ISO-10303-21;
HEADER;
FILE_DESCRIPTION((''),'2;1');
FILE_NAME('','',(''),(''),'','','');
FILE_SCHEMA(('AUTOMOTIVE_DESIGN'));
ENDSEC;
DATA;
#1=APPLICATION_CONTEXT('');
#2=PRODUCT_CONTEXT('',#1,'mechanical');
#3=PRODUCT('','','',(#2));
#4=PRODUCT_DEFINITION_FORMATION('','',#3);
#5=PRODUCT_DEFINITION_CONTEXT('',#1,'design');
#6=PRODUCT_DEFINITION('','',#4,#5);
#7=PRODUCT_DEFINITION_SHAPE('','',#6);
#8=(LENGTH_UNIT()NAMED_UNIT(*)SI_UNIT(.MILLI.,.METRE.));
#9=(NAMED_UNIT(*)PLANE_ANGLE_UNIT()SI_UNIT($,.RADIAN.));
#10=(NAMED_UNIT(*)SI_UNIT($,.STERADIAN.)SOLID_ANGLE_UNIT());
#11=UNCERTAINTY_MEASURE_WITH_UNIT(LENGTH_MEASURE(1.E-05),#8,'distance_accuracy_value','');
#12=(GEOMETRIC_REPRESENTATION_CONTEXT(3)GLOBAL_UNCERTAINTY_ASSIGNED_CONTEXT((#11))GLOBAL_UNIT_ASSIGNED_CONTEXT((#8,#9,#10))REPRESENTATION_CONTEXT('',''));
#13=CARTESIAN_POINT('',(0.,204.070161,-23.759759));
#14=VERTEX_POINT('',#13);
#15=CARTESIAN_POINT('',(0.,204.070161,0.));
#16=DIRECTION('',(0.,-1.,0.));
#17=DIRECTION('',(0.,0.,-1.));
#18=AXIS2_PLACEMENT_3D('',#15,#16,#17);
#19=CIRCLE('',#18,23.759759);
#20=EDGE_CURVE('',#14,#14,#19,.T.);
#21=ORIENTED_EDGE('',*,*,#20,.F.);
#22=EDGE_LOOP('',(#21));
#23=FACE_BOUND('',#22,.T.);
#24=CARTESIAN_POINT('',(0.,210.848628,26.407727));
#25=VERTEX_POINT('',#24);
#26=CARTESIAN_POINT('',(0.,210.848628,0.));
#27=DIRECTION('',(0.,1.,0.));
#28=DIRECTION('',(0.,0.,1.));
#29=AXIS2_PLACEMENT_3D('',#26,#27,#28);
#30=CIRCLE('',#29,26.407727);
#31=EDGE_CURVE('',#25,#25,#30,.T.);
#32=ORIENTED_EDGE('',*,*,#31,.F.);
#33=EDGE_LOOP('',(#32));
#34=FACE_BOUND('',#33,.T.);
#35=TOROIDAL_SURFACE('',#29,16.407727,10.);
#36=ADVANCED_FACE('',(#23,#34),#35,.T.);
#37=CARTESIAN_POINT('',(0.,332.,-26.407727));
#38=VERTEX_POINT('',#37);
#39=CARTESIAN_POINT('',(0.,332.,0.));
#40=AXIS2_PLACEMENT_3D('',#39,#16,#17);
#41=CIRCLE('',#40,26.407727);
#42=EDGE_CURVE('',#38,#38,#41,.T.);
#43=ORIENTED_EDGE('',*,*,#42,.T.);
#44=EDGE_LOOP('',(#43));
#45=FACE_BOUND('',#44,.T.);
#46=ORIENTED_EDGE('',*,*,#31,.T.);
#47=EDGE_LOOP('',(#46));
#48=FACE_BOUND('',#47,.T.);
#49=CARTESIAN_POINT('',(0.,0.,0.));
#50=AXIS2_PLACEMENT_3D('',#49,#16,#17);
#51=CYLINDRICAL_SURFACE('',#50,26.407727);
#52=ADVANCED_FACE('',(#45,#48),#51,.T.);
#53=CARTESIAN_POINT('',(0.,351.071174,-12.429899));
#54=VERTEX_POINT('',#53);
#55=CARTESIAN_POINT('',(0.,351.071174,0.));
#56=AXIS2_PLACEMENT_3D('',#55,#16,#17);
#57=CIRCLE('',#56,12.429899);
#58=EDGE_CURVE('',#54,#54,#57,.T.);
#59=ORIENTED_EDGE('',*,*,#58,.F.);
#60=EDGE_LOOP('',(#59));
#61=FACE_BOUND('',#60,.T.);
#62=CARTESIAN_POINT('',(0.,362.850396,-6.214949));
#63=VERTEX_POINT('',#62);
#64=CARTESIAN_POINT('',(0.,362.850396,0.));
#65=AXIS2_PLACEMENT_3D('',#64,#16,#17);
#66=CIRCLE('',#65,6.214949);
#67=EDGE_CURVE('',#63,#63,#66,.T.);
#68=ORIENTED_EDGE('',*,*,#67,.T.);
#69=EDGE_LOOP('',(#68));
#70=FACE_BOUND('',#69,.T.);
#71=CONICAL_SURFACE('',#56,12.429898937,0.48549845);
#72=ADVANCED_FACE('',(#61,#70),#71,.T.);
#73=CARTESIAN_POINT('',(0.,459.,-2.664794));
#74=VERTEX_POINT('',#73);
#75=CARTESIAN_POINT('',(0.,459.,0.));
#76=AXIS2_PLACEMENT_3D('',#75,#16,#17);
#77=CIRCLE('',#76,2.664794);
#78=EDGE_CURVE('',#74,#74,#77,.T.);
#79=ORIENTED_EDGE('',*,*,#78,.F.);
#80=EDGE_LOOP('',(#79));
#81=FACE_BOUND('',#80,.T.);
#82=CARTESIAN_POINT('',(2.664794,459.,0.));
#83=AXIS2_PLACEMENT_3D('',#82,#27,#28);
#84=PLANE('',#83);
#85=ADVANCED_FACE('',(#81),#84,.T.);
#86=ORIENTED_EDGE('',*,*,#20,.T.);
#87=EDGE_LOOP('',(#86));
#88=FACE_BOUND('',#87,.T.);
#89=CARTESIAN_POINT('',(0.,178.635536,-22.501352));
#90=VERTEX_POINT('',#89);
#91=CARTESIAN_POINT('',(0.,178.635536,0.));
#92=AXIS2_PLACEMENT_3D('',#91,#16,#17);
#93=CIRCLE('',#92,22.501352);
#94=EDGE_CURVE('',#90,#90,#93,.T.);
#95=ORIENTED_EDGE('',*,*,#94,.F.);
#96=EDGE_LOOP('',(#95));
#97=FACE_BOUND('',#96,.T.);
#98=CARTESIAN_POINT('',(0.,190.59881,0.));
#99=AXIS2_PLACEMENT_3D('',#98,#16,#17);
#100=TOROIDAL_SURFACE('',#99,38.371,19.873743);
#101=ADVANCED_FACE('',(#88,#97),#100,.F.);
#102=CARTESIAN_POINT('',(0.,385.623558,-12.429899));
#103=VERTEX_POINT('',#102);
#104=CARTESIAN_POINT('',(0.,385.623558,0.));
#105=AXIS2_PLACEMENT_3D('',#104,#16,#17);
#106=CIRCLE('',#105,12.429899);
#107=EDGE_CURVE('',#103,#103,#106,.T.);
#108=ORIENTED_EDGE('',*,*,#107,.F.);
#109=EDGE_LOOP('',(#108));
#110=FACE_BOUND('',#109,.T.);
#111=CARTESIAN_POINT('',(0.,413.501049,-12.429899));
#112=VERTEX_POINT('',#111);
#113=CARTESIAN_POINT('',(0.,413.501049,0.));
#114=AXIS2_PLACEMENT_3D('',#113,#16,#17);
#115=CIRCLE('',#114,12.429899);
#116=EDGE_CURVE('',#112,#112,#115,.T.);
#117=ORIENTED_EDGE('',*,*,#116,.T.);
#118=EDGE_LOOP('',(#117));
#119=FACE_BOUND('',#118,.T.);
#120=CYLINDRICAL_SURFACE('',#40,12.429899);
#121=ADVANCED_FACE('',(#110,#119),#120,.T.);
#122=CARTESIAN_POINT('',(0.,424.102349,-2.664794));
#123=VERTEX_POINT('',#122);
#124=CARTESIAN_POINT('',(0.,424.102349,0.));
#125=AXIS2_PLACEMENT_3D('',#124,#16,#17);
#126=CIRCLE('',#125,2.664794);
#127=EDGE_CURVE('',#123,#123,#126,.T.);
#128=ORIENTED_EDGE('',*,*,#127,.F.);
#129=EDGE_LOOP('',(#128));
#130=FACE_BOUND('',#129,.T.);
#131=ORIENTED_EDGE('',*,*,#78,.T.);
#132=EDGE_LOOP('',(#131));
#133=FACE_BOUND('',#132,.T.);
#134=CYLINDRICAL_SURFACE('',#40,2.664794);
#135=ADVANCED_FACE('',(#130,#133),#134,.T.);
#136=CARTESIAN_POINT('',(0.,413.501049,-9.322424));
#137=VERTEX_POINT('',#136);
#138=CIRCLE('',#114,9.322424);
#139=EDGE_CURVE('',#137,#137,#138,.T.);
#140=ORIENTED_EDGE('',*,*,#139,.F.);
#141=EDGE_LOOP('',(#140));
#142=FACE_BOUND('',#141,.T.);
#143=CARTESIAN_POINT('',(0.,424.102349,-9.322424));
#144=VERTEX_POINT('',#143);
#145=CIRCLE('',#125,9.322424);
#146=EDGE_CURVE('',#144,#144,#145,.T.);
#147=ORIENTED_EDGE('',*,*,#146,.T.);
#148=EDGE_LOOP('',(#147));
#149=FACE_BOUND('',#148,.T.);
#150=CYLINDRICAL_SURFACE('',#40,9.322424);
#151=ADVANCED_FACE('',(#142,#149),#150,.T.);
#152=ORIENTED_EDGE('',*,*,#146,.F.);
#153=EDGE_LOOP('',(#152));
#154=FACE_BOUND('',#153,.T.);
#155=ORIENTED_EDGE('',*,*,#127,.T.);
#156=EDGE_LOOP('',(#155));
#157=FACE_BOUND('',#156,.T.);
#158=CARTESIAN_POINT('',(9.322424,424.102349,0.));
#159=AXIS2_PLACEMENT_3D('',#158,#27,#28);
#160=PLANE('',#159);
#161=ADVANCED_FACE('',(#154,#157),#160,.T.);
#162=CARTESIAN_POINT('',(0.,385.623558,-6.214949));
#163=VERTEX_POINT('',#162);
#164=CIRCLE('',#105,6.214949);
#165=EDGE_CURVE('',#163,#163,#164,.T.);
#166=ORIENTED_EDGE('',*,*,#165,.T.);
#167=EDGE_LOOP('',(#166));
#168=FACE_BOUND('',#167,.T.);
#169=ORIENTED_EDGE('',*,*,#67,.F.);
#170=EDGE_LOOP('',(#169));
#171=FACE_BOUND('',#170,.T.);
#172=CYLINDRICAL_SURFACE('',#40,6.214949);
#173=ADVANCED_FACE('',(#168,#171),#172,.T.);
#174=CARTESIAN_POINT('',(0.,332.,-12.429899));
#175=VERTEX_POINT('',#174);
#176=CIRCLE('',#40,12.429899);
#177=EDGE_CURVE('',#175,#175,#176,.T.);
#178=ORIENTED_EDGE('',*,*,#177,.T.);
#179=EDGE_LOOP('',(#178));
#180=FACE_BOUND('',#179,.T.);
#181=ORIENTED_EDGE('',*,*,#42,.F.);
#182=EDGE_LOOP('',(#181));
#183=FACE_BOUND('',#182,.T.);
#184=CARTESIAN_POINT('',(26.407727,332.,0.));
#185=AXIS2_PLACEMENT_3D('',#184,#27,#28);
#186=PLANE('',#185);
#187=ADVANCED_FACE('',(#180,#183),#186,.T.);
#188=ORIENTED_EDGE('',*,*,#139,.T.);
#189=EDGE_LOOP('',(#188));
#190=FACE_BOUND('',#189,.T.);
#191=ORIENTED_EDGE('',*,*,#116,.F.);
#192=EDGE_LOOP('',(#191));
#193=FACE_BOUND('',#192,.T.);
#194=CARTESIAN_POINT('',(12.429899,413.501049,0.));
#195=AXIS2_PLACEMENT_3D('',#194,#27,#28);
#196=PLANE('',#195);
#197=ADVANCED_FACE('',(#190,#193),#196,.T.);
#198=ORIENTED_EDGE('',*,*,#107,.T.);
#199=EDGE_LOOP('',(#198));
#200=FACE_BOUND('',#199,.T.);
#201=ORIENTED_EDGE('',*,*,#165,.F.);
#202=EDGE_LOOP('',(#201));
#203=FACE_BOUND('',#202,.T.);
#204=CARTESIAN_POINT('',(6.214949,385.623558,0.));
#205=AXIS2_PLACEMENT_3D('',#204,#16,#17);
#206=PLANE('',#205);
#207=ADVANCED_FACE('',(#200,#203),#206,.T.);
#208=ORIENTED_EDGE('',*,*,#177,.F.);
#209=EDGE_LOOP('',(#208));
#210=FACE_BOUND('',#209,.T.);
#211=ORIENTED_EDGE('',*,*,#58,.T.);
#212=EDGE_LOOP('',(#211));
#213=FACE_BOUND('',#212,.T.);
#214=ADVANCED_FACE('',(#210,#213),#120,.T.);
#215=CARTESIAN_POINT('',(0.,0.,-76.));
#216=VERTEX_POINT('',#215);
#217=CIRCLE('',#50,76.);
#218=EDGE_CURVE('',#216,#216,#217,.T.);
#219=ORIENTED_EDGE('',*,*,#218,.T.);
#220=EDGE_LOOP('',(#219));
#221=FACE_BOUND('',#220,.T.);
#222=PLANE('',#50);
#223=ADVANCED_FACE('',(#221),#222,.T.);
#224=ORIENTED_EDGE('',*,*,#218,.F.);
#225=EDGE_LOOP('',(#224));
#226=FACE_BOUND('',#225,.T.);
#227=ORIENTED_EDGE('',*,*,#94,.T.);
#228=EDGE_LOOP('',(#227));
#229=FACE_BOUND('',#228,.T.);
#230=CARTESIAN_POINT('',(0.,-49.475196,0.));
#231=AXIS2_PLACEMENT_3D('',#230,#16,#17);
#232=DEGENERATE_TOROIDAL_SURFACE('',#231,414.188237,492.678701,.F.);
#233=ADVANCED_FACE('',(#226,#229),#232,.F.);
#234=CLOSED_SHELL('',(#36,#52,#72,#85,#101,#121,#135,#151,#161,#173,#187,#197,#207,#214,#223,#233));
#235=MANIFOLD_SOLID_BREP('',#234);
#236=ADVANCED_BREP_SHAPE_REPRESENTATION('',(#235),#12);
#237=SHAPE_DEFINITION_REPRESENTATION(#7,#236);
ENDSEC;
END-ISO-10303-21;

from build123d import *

# Parameters (mm, degrees)
FILLET1_R = 10


with BuildPart() as part:
    # Sketch1 → Revolve1 (revolve)
    with BuildSketch(Plane.XY):
        with BuildLine():
            Line((0, 0), (76, 0))
            ThreePointArc((76, 0), (57.779229612, 91.871941274), (22.501351501, 178.635536076))
            ThreePointArc((22.501351501, 178.635536076), (18.690152094, 193.361033944), (26.407726548, 206.468458288))
            Line((26.407726548, 206.468458288), (26.407726548, 332))
            Line((26.407726548, 332), (0, 332))
            Line((0, 332), (0, 0))
        make_face()
    revolve(axis=Axis((0, 0, 0), (0, 1, 0)))

    # Fillet1
    fillet1_edges = [part.edges().sort_by_distance(p)[0] for p in [
        (-26.407726548, 206.468458288, 0),
    ]]
    fillet(fillet1_edges, radius=FILLET1_R)

    # Sketch2 → Revolve2 (revolve)
    with BuildSketch(Plane.XY):
        Polygon((0, 332), (0, 459), (2.664793977, 459), (2.664793977, 424.102348648), (9.322424203, 424.102348648), (9.322424203, 413.501049111), (12.429898937, 413.501049111), (12.429898937, 385.623557734), (6.214949468, 385.623557734), (6.214949468, 362.850395765), (12.429898937, 351.071174056), (12.429898937, 332), align=None)
    revolve(axis=Axis((0, 332, 0), (0, 1, 0)))


solid = part.part
